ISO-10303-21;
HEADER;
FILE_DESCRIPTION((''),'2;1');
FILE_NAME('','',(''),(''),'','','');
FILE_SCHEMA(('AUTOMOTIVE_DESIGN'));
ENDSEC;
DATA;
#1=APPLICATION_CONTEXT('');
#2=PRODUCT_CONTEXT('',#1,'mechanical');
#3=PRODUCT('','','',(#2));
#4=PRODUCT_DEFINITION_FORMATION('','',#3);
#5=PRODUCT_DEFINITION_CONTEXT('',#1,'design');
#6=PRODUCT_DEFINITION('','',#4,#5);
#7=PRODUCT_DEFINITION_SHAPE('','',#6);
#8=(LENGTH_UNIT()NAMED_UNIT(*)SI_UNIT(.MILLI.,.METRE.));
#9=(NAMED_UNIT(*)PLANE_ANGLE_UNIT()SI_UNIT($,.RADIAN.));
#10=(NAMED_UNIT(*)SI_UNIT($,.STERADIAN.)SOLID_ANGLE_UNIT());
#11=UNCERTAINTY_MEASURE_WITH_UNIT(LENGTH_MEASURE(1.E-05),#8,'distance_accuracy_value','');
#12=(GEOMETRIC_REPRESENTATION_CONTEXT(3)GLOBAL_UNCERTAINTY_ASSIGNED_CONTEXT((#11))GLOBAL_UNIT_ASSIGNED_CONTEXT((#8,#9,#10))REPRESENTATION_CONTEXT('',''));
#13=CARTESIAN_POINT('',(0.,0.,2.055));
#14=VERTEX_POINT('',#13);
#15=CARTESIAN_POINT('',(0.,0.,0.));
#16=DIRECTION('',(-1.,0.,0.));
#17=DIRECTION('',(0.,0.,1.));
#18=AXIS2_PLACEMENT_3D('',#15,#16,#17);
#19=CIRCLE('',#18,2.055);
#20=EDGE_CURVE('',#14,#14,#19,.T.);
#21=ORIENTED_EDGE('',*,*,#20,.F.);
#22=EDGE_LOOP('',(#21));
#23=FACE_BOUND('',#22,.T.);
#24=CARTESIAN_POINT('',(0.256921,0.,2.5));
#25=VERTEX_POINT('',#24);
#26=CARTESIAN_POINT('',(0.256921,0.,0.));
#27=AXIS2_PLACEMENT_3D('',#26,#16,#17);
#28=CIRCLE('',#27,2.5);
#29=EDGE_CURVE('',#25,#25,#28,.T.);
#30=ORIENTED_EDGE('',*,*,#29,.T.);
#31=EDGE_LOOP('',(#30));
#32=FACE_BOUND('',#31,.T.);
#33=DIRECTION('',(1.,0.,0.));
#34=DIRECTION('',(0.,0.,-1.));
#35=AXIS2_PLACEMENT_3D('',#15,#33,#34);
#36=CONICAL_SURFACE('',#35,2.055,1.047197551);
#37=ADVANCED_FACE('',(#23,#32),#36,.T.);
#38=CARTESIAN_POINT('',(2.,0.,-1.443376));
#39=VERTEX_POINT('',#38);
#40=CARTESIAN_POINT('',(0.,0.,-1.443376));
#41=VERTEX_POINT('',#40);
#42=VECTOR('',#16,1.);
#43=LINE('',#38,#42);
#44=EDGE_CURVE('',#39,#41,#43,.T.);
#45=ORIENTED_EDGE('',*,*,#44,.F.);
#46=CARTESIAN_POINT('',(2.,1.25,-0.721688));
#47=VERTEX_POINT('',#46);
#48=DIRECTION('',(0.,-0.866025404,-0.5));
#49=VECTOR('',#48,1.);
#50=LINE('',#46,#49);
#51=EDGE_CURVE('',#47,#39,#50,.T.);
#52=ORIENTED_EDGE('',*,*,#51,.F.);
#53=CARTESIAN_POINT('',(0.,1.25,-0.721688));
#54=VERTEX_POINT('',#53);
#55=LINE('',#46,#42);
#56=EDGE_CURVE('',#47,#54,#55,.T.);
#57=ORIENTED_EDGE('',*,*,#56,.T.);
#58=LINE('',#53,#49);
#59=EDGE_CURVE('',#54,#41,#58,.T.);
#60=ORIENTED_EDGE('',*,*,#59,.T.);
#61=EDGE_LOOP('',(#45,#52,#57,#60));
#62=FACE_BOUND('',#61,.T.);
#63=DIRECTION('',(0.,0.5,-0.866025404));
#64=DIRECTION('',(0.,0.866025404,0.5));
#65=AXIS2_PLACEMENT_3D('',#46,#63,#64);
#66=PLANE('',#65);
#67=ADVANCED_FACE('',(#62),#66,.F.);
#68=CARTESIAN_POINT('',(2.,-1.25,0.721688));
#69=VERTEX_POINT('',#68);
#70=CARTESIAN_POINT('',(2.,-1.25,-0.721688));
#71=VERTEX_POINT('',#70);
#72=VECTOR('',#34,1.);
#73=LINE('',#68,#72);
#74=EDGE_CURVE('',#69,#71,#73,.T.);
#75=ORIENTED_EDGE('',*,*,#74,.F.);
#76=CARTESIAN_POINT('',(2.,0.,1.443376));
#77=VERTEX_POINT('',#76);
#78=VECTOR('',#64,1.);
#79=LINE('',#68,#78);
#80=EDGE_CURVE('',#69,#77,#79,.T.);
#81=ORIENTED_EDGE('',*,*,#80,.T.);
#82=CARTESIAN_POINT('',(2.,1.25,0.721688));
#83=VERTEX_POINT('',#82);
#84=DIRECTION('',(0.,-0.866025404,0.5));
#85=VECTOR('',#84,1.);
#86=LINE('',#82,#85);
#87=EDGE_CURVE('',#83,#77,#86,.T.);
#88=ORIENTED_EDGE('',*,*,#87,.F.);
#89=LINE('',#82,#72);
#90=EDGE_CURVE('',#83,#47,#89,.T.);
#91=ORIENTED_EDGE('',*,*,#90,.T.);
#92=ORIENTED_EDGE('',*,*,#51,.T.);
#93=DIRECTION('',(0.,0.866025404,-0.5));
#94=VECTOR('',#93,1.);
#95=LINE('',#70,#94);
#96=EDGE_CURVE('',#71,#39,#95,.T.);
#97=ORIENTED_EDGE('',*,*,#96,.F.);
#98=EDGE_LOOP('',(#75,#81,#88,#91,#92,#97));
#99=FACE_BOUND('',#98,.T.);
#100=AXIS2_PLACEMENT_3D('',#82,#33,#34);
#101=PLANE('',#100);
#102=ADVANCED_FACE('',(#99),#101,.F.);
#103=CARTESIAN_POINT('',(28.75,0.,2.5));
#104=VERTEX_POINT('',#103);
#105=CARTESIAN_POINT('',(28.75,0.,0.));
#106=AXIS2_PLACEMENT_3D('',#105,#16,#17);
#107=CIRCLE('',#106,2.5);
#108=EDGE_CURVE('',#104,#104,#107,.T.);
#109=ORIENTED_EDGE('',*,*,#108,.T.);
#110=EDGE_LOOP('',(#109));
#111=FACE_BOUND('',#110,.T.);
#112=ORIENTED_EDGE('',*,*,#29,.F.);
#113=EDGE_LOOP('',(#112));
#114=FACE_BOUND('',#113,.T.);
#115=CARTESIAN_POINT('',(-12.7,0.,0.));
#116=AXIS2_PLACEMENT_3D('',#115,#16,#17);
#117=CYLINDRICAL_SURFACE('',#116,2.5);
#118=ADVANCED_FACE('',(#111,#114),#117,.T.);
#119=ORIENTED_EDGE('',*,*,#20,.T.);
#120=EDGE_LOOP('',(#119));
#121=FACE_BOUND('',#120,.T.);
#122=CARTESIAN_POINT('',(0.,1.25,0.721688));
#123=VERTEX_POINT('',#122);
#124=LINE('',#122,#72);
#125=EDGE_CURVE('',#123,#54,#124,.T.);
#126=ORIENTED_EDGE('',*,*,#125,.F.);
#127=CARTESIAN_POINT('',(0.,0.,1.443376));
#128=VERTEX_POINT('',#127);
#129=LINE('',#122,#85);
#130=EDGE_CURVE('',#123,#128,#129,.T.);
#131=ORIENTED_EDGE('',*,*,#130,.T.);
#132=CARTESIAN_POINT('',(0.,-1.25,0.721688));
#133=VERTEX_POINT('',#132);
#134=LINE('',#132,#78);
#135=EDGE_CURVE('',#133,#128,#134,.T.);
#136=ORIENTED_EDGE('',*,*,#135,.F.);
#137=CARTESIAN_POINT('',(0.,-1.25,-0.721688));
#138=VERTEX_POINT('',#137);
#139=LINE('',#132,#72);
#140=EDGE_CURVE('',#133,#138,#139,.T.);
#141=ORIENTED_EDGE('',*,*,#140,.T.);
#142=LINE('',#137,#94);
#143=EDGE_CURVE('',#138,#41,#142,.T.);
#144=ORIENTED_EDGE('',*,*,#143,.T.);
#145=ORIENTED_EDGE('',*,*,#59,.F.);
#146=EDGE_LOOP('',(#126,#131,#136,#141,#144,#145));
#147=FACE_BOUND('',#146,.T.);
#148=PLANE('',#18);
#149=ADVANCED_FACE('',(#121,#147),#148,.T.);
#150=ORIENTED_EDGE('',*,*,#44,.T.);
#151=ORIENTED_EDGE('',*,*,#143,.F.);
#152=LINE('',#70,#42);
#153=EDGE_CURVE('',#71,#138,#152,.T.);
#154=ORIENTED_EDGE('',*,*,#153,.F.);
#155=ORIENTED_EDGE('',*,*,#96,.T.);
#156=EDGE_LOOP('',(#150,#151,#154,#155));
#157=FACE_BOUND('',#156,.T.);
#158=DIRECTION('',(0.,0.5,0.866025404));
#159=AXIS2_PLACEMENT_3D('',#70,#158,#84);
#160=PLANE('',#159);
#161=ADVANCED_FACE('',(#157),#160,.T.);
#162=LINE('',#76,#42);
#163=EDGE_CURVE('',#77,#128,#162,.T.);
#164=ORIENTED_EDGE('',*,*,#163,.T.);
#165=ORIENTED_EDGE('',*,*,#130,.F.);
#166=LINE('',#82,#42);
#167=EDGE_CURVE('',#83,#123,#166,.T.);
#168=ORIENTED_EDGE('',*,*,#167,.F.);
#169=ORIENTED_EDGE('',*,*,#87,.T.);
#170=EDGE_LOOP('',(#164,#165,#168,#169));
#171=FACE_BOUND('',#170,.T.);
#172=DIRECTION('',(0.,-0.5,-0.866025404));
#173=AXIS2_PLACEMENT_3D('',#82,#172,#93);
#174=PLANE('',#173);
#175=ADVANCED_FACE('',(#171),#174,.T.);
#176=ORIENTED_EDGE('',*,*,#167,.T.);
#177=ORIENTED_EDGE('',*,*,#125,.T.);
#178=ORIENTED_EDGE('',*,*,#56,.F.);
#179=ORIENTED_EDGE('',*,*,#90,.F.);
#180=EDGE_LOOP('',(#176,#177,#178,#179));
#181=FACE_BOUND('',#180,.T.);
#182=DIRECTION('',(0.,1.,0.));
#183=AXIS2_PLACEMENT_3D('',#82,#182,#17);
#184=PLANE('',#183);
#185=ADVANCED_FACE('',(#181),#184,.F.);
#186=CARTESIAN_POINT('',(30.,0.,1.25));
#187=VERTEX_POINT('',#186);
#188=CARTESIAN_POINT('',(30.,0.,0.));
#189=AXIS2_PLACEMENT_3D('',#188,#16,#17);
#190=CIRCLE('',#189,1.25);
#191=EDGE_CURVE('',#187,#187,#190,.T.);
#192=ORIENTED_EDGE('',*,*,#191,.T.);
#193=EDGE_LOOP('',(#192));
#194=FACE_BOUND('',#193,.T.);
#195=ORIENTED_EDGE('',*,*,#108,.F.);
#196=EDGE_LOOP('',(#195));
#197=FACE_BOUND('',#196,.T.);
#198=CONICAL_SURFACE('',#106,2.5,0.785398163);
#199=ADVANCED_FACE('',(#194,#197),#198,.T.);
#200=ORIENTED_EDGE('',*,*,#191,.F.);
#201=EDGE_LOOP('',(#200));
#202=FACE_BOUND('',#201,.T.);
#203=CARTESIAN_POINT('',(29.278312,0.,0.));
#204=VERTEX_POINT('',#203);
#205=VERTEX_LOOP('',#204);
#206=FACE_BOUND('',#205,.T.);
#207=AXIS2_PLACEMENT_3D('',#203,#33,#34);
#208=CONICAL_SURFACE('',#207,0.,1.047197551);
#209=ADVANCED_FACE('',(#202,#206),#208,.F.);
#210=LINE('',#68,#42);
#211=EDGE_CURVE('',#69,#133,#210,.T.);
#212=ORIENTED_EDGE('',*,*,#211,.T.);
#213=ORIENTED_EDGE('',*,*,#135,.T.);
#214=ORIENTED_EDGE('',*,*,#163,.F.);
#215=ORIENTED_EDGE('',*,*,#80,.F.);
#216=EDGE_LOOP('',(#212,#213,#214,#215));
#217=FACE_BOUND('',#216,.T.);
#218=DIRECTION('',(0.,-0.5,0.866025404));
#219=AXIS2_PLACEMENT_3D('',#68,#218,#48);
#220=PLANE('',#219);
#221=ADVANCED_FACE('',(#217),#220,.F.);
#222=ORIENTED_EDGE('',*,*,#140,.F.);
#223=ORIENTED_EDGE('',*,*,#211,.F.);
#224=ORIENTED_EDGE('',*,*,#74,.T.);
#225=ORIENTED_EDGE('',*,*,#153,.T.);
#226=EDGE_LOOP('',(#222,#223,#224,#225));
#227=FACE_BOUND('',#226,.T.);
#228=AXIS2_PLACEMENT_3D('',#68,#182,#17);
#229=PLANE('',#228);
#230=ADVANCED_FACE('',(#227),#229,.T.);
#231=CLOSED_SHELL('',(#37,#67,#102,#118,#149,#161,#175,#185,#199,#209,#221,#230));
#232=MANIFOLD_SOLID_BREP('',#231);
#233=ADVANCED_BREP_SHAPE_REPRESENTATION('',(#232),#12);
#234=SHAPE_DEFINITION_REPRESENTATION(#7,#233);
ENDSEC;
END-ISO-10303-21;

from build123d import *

# Parameters (mm, degrees)
HEX_2_DEPTH = 2


with BuildPart() as part:
    # BodySke → BaseBody (revolve)
    with BuildSketch(Plane.XY, mode=Mode.PRIVATE) as basebody_sk:
        Polygon((0, 0), (0, 2.055), (0.25692087, 2.5), (28.75, 2.5), (30, 1.25), (29.278312164, 0), align=None)
    revolve(basebody_sk.sketch.rotate(Axis((-12.7, 0, 0), (1, 0, 0)), 90), axis=Axis((-12.7, 0, 0), (1, 0, 0)))

    # Sketch2 → Hex 2 (cut)
    with BuildSketch(Plane.ZY):
        Polygon((0.721687836, 1.25), (-0.721687836, 1.25), (-1.443375673, 0), (-0.721687836, -1.25), (0.721687836, -1.25), (1.443375673, 0), align=None)
    extrude(amount=-HEX_2_DEPTH, mode=Mode.SUBTRACT)


solid = part.part
